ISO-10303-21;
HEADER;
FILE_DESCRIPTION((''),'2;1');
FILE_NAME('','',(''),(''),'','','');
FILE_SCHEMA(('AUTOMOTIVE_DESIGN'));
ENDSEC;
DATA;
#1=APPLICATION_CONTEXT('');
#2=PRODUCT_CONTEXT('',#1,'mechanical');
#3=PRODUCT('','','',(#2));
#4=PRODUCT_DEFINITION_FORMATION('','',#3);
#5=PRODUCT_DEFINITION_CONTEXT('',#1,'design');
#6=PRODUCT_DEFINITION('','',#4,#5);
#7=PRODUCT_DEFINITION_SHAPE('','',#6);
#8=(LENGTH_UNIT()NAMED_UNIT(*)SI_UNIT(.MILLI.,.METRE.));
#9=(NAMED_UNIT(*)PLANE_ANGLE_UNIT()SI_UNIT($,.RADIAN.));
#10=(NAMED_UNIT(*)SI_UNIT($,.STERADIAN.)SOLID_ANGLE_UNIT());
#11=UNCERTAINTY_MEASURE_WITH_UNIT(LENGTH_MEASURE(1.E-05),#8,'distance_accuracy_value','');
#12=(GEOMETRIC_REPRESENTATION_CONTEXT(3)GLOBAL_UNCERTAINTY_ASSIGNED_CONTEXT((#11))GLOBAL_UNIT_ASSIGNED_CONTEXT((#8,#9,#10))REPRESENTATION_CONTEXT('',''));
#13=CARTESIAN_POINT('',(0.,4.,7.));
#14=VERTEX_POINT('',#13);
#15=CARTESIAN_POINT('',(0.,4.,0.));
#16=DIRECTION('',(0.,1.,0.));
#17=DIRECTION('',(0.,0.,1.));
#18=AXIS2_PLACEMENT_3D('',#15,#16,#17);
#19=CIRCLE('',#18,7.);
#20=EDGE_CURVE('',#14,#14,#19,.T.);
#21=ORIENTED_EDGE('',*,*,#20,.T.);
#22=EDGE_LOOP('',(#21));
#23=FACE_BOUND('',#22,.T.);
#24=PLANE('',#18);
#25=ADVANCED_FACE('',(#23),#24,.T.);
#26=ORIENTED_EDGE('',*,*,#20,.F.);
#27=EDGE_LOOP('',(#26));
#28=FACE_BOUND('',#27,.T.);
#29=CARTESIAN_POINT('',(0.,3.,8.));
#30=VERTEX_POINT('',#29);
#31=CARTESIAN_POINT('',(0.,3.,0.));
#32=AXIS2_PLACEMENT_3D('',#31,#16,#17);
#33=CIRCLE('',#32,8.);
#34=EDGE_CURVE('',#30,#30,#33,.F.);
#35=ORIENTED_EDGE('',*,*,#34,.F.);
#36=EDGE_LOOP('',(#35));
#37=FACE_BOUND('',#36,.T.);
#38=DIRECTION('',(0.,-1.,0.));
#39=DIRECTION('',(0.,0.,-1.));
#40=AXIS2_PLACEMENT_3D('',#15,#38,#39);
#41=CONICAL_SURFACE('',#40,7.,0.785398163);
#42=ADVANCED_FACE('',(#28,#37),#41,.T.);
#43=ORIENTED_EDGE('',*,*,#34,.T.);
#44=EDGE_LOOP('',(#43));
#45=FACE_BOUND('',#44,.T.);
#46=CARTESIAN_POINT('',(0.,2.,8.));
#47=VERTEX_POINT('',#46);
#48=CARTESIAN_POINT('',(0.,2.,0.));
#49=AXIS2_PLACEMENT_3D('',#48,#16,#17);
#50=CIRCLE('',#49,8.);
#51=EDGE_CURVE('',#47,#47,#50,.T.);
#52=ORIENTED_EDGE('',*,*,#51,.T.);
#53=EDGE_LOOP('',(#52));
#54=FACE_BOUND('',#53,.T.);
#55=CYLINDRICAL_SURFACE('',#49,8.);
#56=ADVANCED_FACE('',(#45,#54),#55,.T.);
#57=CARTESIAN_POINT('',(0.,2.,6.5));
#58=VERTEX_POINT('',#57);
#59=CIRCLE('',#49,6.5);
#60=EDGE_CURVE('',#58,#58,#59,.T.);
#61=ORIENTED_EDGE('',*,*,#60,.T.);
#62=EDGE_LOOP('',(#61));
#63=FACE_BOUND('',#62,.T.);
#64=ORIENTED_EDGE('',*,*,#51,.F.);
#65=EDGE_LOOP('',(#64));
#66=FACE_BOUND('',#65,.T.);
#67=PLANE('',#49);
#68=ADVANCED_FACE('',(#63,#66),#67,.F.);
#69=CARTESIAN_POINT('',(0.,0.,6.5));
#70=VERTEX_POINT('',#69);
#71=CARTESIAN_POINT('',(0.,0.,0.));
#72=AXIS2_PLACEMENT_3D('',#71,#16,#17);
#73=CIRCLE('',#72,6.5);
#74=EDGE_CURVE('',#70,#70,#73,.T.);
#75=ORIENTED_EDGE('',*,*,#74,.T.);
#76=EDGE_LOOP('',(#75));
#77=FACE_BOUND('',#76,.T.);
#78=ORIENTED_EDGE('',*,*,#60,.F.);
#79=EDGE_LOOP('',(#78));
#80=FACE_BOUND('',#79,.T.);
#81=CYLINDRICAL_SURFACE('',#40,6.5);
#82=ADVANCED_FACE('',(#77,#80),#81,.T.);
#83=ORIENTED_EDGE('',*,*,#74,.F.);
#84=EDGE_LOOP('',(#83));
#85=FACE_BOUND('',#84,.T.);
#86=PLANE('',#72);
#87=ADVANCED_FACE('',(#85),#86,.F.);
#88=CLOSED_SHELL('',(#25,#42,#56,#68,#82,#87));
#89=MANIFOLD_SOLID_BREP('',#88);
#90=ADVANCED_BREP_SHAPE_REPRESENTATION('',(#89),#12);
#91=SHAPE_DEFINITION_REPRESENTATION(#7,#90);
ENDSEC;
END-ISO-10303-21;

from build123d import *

# Parameters (mm, degrees)
SKETCH1_R           = 6.5
BOSS_EXTRUDE1_DEPTH = 4
SKETCH2_R           = 8
BOSS_EXTRUDE2_DEPTH = 2
CHAMFER1_SIZE       = 1


with BuildPart() as part:
    # Sketch1 → Boss-Extrude1 (new body)
    with BuildSketch(Plane(origin=(0, 0, 0), x_dir=(1, 0, 0), z_dir=(0, 1, 0))):
        with Locations(Location((0, 0, 0), (0, 0, 270))):
            Circle(SKETCH1_R)
    extrude(amount=BOSS_EXTRUDE1_DEPTH)

    # Sketch2 → Boss-Extrude2 (add)
    with BuildSketch(Plane(origin=(0, 4, 0), x_dir=(1, 0, 0), z_dir=(0, 1, 0))):
        with Locations(Location((0, 0, 0), (0, 0, 270))):
            Circle(SKETCH2_R)
    extrude(amount=-BOSS_EXTRUDE2_DEPTH)

    # Chamfer1
    chamfer1_edges = [part.edges().sort_by_distance(p)[0] for p in [
        (0, 4, -8),
    ]]
    chamfer(chamfer1_edges, length=CHAMFER1_SIZE)


solid = part.part
